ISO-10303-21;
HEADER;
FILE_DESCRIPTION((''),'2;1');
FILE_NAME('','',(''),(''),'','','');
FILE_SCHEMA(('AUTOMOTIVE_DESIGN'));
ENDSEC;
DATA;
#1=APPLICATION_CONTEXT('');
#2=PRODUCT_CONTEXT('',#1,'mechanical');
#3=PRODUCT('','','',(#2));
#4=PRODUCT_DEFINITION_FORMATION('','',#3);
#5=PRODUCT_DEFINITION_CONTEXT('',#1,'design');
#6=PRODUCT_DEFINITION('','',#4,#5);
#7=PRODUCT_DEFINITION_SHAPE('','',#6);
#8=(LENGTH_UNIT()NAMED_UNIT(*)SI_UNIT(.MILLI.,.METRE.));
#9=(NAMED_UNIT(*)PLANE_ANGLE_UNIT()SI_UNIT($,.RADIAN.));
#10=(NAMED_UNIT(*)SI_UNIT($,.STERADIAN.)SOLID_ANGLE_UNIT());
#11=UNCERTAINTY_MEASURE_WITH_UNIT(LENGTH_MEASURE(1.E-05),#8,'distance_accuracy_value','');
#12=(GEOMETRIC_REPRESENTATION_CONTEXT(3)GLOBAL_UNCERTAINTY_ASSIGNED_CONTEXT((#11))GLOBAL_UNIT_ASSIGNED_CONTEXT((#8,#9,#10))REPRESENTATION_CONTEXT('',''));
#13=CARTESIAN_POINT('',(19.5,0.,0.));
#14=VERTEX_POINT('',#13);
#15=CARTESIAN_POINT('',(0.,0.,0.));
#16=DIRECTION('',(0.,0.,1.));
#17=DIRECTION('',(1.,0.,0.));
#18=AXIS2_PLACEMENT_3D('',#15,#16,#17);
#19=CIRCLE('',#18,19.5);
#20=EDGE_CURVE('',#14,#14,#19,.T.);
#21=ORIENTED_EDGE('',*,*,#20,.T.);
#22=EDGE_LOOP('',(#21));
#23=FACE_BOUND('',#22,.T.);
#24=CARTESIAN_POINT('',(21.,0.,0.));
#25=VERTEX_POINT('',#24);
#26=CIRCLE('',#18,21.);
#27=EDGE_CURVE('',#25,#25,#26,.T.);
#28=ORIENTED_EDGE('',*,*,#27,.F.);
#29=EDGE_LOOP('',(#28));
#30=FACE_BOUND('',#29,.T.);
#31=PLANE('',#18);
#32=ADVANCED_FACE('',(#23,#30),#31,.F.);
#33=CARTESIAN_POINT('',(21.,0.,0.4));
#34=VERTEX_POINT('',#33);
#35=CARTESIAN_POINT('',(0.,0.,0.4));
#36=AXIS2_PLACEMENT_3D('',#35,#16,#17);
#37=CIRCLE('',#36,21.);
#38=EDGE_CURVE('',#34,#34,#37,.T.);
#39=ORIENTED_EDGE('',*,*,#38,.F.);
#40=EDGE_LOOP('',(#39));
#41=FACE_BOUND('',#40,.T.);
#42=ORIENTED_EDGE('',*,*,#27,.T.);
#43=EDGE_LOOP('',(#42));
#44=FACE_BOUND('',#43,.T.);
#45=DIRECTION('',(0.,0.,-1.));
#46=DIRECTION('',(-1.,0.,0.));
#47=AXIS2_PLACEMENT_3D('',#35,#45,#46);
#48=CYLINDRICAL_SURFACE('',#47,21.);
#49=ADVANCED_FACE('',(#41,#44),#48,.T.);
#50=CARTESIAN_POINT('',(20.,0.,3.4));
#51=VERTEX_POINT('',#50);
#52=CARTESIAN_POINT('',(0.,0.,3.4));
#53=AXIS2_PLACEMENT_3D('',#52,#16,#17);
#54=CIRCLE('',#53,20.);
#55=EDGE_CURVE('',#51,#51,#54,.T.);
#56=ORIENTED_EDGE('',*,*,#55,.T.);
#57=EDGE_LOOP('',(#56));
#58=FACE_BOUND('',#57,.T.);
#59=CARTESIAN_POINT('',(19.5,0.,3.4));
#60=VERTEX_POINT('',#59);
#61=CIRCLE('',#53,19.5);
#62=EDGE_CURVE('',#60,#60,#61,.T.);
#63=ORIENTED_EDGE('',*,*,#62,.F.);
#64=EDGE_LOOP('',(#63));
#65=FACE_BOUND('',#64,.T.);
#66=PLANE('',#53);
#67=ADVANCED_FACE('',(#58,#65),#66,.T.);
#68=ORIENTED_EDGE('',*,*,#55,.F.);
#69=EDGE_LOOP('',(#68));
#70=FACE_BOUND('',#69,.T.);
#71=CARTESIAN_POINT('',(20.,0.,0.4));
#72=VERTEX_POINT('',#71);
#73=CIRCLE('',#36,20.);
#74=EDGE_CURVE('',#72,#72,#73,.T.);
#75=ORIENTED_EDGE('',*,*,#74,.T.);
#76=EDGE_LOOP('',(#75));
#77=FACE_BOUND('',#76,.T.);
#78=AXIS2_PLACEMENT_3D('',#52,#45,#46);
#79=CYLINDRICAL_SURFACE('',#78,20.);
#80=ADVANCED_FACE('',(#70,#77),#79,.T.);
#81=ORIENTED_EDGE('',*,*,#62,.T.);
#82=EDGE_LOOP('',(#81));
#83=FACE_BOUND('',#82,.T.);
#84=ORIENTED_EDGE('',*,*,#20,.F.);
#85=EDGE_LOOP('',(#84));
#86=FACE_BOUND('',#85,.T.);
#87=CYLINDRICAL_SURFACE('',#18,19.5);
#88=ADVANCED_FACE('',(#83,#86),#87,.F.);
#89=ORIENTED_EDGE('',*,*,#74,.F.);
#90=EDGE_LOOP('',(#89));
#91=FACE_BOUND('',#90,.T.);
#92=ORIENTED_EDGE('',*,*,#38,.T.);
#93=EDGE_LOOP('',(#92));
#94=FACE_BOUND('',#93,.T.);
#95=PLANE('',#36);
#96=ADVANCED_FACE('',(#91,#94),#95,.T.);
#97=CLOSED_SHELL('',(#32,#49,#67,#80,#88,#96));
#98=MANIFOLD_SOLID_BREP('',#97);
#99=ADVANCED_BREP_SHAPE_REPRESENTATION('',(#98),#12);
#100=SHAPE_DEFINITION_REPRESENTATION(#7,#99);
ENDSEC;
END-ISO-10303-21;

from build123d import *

# Parameters (mm, degrees)
CROQUIS1_R              = 21
SALIENTE_EXTRUIR1_DEPTH = 0.4
CROQUIS2_R              = 20
SALIENTE_EXTRUIR2_DEPTH = 3
CROQUIS3_R              = 19.5
CORTAR_EXTRUIR1_DEPTH   = 4.4


with BuildPart() as part:
    # Croquis1 → Saliente-Extruir1 (new body)
    with BuildSketch(Plane.XY):
        Circle(CROQUIS1_R)
    extrude(amount=SALIENTE_EXTRUIR1_DEPTH)

    # Croquis2 → Saliente-Extruir2 (add)
    with BuildSketch(Plane.XY.offset(0.4)):
        Circle(CROQUIS2_R)
    extrude(amount=SALIENTE_EXTRUIR2_DEPTH)

    # Croquis3 → Cortar-Extruir1 (cut, through all)
    with BuildSketch(Plane.XY.offset(3.4)):
        Circle(CROQUIS3_R)
    extrude(amount=-CORTAR_EXTRUIR1_DEPTH, mode=Mode.SUBTRACT)


solid = part.part
